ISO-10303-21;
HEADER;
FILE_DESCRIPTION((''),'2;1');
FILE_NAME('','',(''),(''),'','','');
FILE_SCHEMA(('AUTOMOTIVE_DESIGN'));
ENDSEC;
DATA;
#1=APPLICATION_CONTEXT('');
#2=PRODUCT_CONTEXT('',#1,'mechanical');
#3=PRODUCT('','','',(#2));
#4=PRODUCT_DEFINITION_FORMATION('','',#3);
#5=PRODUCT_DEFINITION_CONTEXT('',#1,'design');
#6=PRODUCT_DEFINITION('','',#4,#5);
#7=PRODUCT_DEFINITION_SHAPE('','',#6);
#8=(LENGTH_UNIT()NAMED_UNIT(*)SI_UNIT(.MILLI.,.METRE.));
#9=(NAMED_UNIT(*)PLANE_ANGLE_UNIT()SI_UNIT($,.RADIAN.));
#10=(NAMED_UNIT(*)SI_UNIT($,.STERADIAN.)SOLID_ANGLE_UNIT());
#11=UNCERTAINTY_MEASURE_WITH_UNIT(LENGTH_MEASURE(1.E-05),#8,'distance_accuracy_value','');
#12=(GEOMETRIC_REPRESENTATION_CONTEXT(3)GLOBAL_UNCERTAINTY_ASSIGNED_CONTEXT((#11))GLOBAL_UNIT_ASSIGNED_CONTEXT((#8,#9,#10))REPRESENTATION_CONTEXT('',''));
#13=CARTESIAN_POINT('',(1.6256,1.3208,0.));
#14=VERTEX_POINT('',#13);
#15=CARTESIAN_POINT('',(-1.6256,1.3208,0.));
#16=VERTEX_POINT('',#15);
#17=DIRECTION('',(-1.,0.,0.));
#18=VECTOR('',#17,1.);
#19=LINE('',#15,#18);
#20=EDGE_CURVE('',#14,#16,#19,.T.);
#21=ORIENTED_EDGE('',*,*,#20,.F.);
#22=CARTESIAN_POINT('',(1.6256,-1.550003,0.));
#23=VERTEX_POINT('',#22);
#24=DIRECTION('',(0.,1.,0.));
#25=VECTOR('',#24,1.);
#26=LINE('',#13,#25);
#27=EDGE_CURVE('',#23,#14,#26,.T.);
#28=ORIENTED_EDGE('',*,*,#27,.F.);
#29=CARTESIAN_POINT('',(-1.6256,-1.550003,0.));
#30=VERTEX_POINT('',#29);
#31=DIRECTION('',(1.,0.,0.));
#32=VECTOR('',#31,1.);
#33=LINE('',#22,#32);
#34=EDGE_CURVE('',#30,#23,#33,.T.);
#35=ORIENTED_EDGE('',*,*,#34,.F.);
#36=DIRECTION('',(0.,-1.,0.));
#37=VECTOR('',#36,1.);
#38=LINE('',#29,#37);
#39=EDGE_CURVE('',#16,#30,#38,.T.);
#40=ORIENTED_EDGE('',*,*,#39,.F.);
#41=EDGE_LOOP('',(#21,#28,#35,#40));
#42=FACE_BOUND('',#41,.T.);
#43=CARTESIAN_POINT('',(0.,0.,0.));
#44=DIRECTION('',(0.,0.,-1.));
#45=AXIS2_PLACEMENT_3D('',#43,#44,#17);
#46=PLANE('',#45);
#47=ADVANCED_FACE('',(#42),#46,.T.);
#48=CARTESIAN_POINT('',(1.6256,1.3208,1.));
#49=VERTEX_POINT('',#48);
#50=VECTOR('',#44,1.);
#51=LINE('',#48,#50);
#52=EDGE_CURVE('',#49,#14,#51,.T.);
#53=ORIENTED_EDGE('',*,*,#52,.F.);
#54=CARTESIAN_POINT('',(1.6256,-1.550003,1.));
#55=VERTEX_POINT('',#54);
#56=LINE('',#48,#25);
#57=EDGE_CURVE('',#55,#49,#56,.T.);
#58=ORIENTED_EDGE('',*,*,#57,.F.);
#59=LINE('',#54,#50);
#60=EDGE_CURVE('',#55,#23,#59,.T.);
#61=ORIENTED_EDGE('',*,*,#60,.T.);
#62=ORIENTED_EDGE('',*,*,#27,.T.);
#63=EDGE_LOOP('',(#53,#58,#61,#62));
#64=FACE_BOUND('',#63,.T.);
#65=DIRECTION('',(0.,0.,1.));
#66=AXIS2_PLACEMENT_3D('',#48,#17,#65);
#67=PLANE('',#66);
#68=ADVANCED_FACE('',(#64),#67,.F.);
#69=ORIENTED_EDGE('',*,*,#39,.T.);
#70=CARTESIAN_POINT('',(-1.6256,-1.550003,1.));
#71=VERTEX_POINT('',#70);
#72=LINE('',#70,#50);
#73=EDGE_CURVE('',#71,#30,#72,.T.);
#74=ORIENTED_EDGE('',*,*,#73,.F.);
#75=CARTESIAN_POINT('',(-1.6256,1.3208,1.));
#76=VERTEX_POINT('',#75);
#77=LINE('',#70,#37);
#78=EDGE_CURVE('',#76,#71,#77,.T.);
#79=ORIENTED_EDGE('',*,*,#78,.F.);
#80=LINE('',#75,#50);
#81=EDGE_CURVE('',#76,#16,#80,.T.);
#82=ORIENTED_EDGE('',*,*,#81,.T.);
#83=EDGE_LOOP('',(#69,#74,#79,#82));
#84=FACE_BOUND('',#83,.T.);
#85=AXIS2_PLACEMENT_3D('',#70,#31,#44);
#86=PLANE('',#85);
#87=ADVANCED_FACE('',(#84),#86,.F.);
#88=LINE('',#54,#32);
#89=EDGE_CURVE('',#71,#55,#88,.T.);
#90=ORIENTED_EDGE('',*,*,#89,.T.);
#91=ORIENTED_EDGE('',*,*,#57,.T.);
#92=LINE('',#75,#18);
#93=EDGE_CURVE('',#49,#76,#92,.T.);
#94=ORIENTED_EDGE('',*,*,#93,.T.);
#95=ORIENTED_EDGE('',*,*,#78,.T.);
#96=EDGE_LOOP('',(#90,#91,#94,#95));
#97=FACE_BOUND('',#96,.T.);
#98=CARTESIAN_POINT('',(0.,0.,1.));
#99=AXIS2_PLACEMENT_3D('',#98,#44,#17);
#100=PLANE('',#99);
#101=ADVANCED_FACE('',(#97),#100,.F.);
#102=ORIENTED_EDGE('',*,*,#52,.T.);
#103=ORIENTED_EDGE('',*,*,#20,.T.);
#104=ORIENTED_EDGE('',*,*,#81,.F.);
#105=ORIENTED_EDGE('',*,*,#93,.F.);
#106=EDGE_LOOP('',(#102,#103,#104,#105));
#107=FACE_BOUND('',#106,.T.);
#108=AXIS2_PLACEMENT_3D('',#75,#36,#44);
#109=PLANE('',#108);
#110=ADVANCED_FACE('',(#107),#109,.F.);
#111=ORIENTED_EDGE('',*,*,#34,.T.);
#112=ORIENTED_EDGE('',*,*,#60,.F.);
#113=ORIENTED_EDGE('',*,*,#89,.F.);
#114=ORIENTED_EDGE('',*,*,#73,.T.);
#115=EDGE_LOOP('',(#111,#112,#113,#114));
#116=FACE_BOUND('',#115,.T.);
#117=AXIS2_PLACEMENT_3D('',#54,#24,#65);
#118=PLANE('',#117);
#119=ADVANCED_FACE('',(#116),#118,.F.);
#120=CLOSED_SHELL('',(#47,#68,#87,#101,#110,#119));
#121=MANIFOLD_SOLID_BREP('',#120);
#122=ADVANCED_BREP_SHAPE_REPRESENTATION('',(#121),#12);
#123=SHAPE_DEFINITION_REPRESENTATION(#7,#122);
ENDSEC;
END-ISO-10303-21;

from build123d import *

# Parameters (mm, degrees)
SKETCH1_W               = 3.2512
SKETCH1_H               = 2.870803
COMPONENT_OUTLINE_DEPTH = 1


with BuildPart() as part:
    # Sketch1 → Component_Outline (new body)
    with BuildSketch(Plane.XY):
        with Locations((0, -0.1146015)):
            Rectangle(SKETCH1_W, SKETCH1_H)
    extrude(amount=COMPONENT_OUTLINE_DEPTH)


solid = part.part
